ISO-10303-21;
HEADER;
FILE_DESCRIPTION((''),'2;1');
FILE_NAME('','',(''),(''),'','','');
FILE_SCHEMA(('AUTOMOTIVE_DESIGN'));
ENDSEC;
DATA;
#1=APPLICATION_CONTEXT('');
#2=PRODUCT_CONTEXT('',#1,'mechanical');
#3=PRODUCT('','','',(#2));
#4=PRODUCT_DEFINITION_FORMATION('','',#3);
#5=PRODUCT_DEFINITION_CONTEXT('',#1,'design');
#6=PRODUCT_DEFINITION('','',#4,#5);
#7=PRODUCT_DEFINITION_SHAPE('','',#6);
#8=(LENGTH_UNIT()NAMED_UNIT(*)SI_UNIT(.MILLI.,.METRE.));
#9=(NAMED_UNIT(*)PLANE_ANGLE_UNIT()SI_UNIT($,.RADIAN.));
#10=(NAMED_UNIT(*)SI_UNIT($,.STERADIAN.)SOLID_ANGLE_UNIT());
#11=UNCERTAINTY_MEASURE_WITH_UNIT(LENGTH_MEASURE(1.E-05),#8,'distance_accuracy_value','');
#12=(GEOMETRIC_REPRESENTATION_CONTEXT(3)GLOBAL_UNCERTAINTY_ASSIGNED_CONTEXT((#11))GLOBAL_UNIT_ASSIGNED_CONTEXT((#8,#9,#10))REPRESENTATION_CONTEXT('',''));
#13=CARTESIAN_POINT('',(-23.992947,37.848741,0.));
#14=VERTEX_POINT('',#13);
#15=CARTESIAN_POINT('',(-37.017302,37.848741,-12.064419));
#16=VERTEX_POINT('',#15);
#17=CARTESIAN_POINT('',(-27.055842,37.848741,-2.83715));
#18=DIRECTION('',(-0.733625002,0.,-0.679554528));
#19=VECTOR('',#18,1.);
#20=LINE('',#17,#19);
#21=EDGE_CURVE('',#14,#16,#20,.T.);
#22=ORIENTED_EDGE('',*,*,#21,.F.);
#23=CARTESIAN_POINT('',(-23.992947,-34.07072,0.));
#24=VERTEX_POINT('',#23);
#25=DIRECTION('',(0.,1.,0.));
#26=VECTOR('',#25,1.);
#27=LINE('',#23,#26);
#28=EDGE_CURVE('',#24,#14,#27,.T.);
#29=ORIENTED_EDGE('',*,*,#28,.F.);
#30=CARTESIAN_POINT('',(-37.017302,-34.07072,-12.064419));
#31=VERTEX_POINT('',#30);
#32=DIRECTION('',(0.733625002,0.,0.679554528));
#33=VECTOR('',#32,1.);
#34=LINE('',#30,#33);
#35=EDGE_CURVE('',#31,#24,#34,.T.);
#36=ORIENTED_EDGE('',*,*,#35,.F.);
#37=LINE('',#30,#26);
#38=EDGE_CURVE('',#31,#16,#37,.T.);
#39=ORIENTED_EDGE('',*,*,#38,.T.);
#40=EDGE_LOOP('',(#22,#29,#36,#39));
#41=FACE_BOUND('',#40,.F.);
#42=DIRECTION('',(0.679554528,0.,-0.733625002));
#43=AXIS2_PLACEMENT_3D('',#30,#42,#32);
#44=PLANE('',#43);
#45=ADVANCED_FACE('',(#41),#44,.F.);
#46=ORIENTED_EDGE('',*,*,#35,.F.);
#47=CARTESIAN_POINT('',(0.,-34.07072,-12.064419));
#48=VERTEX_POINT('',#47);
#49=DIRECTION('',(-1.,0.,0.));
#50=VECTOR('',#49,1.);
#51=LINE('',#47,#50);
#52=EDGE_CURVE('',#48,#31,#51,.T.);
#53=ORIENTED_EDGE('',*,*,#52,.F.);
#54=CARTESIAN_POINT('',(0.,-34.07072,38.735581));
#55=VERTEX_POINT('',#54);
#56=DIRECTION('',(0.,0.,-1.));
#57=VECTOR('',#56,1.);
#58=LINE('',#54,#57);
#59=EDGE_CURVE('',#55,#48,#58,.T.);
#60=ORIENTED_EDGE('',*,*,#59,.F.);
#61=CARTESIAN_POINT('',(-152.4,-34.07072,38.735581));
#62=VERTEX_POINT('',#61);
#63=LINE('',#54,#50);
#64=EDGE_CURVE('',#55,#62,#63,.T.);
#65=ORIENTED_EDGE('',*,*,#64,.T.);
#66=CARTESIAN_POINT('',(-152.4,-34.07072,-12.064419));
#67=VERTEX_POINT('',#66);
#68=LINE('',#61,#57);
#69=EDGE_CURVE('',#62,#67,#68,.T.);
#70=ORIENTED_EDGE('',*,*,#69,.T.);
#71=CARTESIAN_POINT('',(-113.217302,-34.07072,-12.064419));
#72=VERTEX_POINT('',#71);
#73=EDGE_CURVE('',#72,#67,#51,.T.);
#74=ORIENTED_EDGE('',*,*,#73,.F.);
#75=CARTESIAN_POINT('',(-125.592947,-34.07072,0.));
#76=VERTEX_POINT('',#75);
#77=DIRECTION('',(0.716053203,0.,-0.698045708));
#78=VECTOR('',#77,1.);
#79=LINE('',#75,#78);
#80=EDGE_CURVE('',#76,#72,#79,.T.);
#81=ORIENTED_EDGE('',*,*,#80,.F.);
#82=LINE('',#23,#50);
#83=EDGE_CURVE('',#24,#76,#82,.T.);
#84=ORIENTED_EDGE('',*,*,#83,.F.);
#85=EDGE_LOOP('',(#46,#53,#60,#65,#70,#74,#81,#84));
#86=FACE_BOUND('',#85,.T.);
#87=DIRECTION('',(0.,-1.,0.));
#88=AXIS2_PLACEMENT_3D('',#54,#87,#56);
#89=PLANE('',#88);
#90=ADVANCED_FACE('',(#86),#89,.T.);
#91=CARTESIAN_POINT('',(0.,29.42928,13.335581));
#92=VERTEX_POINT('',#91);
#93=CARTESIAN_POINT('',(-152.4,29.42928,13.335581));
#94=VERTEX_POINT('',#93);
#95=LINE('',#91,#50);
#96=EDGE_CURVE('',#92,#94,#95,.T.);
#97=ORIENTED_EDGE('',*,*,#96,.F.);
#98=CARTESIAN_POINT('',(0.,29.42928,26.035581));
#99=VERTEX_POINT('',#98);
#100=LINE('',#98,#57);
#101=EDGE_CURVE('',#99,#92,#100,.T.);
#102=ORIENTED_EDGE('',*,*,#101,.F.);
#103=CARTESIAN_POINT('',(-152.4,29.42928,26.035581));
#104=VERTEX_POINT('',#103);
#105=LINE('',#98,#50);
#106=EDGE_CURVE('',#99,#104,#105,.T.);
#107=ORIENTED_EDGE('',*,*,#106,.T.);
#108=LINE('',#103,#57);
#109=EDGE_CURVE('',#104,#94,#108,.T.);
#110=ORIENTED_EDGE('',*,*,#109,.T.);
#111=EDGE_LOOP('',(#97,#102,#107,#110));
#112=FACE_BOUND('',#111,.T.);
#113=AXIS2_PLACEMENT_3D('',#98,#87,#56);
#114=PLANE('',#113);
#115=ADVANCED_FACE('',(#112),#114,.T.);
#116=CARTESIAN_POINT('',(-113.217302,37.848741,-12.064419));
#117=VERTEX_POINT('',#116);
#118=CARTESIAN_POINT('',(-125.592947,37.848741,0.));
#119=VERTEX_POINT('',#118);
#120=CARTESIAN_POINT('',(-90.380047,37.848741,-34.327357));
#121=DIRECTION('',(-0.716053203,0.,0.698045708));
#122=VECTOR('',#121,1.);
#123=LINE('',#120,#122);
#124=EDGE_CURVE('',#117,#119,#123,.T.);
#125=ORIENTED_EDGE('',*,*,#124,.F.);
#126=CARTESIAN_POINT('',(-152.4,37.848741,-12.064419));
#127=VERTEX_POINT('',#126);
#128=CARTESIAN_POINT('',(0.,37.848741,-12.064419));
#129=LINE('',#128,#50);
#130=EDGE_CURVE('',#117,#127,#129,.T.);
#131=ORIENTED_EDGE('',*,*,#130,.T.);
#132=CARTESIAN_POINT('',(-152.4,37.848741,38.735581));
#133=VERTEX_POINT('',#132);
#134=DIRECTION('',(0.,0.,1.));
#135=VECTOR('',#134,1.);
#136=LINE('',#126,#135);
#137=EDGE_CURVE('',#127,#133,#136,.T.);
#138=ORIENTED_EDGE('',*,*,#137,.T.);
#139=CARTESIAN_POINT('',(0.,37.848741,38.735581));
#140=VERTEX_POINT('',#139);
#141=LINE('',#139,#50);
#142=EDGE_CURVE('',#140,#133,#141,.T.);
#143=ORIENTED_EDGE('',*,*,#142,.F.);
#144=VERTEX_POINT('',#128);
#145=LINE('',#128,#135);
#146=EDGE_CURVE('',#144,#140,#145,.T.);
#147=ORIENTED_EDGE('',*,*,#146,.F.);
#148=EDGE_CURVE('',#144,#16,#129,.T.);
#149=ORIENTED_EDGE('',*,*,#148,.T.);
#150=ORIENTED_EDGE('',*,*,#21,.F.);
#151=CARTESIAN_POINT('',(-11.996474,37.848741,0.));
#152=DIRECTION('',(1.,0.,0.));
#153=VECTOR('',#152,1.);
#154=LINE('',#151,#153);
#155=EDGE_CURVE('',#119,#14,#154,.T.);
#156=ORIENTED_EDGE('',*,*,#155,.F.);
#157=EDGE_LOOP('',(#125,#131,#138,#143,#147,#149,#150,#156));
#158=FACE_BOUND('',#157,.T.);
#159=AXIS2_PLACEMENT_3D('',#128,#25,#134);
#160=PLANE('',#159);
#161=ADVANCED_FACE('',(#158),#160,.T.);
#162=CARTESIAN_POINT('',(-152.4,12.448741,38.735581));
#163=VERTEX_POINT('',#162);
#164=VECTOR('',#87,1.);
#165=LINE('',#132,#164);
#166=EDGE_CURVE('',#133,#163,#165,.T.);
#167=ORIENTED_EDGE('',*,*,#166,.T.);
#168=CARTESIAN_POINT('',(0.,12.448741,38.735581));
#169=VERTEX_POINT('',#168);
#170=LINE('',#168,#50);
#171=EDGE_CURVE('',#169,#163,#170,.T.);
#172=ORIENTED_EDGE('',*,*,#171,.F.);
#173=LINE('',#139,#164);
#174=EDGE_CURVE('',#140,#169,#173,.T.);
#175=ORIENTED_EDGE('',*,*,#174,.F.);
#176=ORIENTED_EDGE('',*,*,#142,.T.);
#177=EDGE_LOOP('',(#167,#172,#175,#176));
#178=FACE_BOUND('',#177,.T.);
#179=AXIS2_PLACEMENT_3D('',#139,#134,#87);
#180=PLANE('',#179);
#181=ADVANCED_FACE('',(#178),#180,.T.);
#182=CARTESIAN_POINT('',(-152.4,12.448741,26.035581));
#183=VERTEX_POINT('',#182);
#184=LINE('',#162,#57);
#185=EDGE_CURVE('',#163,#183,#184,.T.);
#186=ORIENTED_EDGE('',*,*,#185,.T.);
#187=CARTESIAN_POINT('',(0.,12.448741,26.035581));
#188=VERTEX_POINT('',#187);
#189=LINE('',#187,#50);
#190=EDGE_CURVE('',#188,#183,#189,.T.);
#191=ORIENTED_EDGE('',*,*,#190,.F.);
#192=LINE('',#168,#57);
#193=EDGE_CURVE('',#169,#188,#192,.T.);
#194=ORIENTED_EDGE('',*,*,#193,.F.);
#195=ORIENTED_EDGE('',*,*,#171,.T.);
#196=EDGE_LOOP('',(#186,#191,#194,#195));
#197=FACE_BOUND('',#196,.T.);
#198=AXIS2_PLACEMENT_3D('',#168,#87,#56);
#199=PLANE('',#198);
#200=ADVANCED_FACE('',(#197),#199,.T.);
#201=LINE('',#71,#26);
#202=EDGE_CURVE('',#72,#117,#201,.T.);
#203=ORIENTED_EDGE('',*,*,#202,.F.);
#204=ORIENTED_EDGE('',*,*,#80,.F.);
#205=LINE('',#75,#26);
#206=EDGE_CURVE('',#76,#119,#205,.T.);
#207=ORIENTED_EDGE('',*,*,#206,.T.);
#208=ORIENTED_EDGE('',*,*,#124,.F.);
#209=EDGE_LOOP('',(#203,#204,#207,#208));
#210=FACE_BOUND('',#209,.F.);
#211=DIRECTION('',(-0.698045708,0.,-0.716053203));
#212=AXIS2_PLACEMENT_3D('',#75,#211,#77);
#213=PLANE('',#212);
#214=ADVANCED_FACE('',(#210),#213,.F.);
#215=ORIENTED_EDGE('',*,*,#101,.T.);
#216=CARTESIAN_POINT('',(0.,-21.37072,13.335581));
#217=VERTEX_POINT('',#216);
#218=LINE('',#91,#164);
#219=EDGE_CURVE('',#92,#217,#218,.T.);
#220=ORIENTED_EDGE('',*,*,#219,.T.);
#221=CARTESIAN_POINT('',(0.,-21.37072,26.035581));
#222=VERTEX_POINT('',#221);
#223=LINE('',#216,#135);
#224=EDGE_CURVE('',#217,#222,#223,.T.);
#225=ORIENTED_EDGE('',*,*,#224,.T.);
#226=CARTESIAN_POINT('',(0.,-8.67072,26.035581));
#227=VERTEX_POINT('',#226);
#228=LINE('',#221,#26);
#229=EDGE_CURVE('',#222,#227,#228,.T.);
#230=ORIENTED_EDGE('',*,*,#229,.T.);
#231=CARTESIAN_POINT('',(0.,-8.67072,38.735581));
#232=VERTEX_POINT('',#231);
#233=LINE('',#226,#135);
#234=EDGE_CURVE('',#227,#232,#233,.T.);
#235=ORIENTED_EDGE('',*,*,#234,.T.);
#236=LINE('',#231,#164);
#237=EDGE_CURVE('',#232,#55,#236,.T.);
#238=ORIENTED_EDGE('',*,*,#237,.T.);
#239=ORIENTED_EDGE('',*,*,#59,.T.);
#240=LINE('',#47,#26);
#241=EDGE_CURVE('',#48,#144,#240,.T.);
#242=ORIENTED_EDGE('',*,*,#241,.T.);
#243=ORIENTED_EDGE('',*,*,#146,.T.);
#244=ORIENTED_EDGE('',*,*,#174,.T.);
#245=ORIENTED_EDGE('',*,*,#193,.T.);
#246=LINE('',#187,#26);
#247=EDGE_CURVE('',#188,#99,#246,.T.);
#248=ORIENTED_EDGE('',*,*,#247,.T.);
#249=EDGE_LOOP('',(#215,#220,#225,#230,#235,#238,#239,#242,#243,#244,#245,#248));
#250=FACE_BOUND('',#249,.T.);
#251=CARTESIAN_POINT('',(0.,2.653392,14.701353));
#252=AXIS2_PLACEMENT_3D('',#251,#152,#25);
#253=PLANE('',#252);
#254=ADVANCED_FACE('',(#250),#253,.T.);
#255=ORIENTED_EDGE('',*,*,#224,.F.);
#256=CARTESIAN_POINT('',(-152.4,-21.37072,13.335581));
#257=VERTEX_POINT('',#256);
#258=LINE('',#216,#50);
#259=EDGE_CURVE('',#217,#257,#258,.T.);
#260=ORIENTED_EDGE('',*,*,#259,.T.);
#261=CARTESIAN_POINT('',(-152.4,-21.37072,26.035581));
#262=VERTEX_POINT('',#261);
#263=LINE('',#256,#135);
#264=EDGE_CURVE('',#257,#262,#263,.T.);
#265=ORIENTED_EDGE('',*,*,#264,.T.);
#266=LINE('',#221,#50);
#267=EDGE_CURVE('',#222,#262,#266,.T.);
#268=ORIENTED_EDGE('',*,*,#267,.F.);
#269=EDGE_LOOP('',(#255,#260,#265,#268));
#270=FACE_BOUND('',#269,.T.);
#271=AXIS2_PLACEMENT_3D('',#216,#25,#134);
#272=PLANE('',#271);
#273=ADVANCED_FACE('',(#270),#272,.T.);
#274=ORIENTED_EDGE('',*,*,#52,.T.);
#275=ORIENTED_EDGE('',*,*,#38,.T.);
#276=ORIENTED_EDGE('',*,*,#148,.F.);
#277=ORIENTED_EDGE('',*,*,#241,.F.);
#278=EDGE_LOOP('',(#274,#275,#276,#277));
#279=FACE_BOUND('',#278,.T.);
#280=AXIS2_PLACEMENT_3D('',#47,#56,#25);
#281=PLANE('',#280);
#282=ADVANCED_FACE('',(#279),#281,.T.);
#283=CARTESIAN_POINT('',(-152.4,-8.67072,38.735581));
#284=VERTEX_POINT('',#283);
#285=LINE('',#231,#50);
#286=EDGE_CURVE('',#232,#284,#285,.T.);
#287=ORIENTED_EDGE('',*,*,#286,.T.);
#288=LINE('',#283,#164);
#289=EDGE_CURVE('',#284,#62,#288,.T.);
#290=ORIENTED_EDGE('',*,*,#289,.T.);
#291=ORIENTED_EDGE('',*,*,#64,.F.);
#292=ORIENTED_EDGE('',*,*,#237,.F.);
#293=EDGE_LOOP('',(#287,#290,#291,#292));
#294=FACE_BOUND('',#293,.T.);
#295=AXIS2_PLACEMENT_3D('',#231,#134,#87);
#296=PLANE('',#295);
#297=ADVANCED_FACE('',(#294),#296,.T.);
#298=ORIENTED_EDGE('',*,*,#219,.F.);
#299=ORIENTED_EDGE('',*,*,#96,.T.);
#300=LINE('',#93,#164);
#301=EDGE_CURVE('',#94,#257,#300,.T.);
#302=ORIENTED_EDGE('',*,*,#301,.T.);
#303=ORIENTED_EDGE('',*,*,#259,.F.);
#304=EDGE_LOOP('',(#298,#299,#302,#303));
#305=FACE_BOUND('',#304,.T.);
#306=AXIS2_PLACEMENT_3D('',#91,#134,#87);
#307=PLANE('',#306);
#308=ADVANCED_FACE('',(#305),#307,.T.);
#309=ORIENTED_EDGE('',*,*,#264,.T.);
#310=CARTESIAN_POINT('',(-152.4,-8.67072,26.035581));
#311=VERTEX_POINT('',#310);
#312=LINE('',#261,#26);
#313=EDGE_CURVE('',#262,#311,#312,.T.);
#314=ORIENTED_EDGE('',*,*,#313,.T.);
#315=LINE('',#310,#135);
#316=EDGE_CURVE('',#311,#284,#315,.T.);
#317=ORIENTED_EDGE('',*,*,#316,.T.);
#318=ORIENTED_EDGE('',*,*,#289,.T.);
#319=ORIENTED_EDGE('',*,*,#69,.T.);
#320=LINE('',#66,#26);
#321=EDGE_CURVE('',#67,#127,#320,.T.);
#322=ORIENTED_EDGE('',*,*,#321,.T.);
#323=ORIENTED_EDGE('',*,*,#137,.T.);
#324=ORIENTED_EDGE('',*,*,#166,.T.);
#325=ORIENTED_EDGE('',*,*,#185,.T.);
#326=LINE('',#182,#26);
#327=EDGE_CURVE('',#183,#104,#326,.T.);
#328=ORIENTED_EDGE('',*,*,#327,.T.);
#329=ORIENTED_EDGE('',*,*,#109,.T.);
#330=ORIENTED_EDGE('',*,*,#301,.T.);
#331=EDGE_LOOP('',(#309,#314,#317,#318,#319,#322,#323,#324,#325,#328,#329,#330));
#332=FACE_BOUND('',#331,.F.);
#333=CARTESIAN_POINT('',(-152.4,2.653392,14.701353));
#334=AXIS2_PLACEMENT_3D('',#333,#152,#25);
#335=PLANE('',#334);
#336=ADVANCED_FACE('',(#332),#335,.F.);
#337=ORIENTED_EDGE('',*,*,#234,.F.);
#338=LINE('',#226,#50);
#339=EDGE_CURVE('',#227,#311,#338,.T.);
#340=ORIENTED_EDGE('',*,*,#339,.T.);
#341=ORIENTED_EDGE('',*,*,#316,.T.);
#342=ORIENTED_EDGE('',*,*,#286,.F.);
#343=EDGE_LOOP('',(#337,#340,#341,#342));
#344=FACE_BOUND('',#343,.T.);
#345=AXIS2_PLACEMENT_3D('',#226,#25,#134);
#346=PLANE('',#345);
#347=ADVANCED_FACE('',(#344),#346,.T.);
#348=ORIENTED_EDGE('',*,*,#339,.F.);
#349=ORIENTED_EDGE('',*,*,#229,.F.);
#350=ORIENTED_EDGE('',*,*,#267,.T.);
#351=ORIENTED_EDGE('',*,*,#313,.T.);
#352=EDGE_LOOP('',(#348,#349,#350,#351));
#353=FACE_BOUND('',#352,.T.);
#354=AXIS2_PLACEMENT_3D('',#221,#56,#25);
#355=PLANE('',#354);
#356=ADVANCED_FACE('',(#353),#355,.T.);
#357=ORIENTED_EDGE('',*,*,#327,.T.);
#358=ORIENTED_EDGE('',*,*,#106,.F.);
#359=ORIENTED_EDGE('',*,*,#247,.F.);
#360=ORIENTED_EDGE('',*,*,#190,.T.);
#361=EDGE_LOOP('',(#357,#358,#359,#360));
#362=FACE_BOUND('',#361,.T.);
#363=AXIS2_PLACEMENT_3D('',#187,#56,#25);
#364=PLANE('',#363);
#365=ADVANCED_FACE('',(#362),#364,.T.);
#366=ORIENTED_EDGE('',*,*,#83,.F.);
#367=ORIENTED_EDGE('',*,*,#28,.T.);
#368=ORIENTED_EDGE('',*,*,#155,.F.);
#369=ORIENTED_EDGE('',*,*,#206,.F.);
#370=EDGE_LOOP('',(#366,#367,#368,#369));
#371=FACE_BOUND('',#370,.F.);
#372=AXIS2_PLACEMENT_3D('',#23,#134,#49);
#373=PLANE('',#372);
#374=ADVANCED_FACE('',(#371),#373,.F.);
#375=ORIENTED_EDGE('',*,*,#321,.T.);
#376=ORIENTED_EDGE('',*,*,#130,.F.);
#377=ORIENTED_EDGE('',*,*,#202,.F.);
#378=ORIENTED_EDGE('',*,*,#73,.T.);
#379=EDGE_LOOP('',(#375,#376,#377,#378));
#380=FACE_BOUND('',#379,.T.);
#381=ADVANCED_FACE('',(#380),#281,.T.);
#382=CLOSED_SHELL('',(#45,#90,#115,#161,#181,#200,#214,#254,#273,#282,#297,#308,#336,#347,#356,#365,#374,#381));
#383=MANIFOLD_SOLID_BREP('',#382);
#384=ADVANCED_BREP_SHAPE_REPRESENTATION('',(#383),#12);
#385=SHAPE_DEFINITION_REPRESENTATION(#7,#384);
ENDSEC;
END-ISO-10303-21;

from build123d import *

# Parameters (mm, degrees)
F1_DEPTH = 152.4
F2_DEPTH = 152.4
F4_DEPTH = 76.2


with BuildPart() as f1:
    # F0 (on Right) → F1 (new body)
    with BuildSketch(Plane.YZ):
        Polygon((-8.67072, 38.735581), (-34.07072, 38.735581), (-34.07072, -12.064419), (37.848741, -12.064419), (37.848741, 38.735581), (12.448741, 38.735581), (12.448741, 26.035581), (29.42928, 26.035581), (29.42928, 13.335581), (-21.37072, 13.335581), (-21.37072, 26.035581), (-8.67072, 26.035581), align=None)
    extrude(amount=-F1_DEPTH)

    # F0 (on Right) → F2 (join)
    with BuildSketch(Plane.YZ):
        Polygon((-8.67072, 38.735581), (-34.07072, 38.735581), (-34.07072, -12.064419), (37.848741, -12.064419), (37.848741, 38.735581), (12.448741, 38.735581), (12.448741, 26.035581), (29.42928, 26.035581), (29.42928, 13.335581), (-21.37072, 13.335581), (-21.37072, 26.035581), (-8.67072, 26.035581), align=None)
    extrude(amount=-F2_DEPTH)

    # F3 (on face) → F4 (cut)
    with BuildSketch(Plane.XZ.offset(34.07072)):
        Polygon((-125.592947, 0), (-113.217302, -12.064419), (-37.017302, -12.064419), (-23.992947, 0), align=None)
    extrude(amount=-F4_DEPTH, mode=Mode.SUBTRACT)


solid = f1.part
